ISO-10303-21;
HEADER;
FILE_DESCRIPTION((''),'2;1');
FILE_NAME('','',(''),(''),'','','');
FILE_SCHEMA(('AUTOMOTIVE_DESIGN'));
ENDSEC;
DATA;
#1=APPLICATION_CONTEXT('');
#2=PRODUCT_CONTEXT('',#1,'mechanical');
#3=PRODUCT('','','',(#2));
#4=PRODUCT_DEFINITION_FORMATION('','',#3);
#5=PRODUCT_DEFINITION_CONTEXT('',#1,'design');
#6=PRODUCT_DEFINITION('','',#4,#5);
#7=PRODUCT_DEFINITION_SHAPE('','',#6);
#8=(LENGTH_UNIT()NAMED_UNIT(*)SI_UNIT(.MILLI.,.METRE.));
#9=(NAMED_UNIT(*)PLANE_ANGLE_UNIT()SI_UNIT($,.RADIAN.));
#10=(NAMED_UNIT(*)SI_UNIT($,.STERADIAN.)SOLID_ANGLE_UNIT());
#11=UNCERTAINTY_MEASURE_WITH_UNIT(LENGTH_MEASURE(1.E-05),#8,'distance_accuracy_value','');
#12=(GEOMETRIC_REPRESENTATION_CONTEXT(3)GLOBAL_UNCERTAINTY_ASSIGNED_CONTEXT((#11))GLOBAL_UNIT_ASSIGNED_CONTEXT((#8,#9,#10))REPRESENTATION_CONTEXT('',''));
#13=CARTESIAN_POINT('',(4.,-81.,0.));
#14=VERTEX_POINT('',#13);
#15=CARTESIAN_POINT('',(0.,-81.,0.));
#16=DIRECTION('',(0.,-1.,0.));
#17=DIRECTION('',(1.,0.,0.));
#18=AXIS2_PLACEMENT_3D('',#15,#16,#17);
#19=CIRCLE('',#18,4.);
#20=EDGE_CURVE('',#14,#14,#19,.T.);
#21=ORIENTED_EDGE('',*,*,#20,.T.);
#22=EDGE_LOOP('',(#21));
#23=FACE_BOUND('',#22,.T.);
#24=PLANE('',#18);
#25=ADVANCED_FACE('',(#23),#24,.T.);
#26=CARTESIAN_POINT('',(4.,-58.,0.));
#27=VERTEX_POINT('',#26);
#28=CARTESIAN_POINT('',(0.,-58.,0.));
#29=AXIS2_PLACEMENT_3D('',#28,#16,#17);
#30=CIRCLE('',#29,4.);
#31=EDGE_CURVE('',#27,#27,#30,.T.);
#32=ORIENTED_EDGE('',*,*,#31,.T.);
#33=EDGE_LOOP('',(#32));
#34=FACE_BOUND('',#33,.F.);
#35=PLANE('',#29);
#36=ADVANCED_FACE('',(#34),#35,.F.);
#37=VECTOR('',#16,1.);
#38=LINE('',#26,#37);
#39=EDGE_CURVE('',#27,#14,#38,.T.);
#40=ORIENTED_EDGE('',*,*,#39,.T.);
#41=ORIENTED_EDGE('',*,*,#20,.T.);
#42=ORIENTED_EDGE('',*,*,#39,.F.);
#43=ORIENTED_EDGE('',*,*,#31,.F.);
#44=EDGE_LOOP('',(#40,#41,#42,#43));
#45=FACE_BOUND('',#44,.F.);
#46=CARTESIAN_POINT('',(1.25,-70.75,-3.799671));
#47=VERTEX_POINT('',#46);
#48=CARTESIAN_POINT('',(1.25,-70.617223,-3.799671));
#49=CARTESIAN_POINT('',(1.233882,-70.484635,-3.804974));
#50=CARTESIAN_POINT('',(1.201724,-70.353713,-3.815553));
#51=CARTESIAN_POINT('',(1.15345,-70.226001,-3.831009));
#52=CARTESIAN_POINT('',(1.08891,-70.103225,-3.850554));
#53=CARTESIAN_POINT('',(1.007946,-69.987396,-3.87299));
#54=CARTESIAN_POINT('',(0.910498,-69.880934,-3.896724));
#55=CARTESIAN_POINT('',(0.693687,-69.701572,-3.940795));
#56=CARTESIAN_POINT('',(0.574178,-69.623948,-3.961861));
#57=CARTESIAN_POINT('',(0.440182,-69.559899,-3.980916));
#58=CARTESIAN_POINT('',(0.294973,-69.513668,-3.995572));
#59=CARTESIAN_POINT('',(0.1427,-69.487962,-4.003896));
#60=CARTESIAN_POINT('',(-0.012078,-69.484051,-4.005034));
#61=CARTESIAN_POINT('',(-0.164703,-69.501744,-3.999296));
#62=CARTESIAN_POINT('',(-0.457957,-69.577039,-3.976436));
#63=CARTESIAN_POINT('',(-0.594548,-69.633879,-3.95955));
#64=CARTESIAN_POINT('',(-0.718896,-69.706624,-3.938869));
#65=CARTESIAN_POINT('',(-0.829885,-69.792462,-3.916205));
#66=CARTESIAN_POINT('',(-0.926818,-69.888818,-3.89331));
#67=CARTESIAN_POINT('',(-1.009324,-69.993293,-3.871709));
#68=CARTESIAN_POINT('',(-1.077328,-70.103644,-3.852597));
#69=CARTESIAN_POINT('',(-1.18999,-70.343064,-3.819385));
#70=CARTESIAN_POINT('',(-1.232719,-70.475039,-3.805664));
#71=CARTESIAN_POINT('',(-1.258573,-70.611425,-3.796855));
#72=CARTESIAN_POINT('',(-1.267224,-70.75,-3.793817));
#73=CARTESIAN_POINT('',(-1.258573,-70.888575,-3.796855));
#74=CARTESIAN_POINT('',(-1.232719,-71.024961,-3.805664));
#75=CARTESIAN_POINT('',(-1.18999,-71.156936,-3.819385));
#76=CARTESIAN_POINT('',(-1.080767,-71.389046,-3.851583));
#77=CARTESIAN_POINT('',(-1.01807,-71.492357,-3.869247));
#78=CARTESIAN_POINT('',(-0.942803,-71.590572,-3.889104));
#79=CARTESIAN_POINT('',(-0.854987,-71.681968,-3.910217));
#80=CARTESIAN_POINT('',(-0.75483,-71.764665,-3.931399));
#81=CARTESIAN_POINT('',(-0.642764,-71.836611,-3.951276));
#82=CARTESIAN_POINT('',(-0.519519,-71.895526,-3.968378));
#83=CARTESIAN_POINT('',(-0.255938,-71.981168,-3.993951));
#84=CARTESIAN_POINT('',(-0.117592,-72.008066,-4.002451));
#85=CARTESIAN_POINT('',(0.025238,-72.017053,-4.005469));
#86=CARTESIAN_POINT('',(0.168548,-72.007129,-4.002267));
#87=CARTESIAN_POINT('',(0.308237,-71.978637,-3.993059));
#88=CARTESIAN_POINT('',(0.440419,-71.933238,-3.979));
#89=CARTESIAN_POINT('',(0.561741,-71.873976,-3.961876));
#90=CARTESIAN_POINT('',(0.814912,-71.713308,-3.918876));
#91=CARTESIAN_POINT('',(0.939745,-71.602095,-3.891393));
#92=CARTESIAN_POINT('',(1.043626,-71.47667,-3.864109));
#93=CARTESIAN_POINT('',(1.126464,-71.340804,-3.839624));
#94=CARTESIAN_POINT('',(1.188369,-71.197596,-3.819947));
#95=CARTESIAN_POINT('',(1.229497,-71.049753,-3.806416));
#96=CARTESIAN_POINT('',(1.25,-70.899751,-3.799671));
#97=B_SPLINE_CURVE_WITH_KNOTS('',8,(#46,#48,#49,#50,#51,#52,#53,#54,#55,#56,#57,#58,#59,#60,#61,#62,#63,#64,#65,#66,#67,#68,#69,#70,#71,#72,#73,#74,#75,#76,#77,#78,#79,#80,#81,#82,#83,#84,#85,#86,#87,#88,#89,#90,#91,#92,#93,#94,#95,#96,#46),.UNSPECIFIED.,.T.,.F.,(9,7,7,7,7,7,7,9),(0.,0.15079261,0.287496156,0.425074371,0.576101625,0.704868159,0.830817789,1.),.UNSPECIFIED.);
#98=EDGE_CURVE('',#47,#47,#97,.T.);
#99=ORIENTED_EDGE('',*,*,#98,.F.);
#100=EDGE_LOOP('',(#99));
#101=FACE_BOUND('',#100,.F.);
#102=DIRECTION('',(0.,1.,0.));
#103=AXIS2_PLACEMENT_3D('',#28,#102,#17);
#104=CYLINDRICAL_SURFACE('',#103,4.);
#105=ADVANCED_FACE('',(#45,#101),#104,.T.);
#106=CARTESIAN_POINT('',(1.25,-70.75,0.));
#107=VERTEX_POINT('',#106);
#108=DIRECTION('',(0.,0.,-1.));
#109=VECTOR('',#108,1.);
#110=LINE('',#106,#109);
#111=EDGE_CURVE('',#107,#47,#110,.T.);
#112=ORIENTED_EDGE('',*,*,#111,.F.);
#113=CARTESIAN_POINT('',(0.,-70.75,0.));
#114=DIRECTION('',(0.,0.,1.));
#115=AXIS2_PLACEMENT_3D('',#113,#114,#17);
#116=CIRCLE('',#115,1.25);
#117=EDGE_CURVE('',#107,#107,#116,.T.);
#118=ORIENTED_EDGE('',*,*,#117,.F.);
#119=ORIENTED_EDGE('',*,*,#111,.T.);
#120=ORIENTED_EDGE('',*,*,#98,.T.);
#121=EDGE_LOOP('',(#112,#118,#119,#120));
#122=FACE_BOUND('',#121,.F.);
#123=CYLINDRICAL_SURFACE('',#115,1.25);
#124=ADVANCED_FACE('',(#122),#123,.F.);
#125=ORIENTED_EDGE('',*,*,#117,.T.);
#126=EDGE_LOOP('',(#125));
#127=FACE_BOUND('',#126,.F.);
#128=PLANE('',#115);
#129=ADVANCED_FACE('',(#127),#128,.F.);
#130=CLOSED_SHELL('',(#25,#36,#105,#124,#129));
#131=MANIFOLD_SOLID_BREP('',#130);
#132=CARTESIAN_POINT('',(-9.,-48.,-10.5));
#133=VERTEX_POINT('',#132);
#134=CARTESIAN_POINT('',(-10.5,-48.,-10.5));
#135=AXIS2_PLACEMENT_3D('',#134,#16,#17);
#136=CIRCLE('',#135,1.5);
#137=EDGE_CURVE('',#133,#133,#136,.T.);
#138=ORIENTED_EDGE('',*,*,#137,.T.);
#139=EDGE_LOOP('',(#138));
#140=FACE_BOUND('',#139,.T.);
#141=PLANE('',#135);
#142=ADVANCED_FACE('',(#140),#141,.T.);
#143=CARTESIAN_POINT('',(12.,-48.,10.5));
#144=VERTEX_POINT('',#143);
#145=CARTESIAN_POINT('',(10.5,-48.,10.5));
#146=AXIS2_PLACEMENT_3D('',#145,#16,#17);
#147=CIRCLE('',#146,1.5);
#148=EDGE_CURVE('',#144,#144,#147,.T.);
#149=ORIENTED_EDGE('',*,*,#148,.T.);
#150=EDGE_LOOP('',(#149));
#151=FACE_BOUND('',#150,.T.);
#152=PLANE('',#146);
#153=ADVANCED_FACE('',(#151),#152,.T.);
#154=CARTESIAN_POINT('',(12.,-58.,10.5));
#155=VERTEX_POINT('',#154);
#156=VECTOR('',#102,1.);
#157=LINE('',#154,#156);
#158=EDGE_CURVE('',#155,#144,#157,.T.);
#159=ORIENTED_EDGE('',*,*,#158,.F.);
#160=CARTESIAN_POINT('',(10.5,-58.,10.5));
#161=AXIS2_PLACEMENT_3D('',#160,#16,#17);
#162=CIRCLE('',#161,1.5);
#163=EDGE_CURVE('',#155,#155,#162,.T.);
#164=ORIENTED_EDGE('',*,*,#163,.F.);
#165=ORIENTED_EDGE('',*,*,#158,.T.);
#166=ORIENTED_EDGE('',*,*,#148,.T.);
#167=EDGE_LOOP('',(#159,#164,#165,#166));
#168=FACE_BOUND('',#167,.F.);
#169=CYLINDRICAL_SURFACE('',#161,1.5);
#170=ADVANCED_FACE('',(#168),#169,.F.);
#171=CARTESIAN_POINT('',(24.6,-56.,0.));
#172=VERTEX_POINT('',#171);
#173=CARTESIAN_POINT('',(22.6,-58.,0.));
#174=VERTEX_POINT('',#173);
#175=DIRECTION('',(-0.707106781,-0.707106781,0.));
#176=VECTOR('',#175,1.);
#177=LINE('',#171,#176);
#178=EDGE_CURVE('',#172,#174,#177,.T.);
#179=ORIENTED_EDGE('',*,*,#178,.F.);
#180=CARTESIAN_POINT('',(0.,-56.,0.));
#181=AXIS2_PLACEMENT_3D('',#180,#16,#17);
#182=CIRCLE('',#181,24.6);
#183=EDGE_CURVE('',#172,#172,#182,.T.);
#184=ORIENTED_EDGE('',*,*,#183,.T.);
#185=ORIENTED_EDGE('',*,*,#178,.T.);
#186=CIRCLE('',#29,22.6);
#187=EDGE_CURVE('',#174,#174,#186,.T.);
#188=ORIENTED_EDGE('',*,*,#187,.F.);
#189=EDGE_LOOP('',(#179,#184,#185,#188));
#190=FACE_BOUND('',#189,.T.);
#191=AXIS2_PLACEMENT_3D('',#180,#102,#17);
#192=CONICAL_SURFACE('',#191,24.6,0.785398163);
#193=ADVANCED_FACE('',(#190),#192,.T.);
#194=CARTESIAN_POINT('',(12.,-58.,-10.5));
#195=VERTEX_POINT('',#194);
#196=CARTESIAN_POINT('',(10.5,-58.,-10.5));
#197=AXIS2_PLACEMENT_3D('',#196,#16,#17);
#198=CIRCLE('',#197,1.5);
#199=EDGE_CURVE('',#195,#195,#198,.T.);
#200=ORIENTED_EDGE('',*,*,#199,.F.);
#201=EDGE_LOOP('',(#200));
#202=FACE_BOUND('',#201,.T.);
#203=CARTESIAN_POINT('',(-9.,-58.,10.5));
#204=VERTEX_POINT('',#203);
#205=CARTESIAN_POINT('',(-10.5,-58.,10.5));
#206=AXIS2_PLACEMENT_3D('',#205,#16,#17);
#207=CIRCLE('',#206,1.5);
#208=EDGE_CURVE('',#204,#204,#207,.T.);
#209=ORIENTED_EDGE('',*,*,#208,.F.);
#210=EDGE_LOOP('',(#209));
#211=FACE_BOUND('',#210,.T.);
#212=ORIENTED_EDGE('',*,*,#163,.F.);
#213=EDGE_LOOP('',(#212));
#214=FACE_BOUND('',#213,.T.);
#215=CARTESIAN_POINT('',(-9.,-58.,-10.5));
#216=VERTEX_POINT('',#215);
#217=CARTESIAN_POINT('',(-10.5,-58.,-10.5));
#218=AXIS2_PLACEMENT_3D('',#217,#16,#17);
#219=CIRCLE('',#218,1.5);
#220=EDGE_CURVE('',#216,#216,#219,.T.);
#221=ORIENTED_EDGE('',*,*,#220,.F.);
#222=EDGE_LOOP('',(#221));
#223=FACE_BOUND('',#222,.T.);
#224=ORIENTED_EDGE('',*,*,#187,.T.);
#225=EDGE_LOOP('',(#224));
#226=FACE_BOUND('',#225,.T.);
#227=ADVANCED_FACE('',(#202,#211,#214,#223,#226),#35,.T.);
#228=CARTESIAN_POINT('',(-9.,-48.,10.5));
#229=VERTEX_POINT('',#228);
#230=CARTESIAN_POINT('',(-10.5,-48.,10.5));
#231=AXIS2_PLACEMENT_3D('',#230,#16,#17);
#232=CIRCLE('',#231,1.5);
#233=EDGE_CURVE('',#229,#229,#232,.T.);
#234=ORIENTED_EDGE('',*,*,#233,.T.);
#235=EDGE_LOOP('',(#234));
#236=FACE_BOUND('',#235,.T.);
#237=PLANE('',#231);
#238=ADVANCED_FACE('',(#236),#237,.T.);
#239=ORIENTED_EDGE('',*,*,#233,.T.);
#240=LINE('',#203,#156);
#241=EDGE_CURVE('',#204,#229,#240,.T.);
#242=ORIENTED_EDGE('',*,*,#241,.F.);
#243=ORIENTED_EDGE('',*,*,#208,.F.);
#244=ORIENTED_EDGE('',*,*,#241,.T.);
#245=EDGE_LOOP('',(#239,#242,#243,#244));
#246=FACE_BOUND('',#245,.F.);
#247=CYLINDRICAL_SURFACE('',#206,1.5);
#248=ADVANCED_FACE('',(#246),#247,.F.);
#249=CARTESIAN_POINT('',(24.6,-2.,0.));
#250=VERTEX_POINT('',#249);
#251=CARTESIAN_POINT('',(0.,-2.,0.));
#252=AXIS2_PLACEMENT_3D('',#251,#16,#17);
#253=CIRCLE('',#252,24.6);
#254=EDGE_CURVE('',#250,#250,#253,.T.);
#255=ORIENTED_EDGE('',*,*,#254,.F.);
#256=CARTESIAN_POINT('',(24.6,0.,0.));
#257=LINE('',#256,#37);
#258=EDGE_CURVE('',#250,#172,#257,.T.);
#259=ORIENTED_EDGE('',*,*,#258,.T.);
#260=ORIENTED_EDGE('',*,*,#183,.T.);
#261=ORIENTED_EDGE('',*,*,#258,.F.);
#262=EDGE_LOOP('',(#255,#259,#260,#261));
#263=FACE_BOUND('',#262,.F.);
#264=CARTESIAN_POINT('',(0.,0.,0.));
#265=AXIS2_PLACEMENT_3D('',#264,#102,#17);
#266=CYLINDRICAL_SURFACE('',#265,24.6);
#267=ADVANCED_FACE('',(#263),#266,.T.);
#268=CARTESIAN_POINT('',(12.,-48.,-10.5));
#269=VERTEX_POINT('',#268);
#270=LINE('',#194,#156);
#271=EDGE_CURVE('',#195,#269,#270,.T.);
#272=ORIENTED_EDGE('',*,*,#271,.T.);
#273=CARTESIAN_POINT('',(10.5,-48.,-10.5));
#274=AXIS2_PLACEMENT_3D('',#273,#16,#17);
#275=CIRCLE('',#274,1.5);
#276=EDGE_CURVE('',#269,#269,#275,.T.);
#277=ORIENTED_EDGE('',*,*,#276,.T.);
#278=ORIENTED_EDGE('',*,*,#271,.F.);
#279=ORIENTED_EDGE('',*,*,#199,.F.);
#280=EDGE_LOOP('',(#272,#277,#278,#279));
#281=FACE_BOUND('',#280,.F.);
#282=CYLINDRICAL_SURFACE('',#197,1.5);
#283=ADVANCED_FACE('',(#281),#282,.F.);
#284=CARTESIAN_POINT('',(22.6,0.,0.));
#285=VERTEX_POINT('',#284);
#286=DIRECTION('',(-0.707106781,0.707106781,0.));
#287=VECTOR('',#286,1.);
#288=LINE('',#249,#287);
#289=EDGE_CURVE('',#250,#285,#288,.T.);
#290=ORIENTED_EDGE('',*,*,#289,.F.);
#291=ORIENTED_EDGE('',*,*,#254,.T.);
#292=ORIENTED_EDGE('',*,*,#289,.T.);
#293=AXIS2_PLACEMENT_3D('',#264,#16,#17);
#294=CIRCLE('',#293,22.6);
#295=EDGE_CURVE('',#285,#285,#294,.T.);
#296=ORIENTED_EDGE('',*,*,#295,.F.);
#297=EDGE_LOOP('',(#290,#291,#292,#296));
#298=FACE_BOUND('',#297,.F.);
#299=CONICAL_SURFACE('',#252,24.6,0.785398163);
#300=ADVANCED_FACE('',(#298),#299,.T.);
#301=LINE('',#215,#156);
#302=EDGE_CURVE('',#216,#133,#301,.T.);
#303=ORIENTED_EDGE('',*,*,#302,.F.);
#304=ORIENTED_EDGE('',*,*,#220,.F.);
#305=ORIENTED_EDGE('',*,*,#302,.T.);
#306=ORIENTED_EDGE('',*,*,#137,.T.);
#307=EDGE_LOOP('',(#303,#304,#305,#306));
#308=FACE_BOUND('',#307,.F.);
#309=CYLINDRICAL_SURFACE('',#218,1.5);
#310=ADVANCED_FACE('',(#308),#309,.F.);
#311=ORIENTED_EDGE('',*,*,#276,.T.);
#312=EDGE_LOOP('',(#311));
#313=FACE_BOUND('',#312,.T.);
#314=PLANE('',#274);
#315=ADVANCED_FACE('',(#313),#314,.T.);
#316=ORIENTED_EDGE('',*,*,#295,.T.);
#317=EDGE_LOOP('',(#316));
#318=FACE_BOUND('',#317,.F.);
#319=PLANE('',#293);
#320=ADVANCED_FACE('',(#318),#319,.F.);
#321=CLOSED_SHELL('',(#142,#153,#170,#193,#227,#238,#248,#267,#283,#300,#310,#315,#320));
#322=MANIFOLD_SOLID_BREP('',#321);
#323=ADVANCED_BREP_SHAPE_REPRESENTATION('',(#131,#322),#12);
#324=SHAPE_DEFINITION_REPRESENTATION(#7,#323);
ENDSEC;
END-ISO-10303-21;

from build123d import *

# Parameters (mm, degrees)
F0_R     = 24.6
F1_DEPTH = 58
F2_R     = 4
F3_DEPTH = 23
F4_R     = 1.5
F5_DEPTH = 10
F6_SIZE  = 2
F7_R     = 1.25
F8_DEPTH = 4


with BuildPart() as f1:
    # F0 (on Front) → F1 (new body)
    with BuildSketch(Plane.XZ):
        Circle(F0_R)
    extrude(amount=F1_DEPTH)

    # F4 (on face) → F5 (cut)
    with BuildSketch(Plane.XZ.offset(58)):
        with Locations((10.5, 10.5)):
            Circle(F4_R)
        with Locations((10.5, -10.5)):
            Circle(F4_R)
        with Locations((-10.5, -10.5)):
            Circle(F4_R)
        with Locations((-10.5, 10.5)):
            Circle(F4_R)
    extrude(amount=-F5_DEPTH, mode=Mode.SUBTRACT)

    # F6
    f6_edges = [f1.edges().sort_by_distance(p)[0] for p in [
        (-24.6, 0, 0),
        (-24.6, -58, 0),
    ]]
    chamfer(f6_edges, length=F6_SIZE)


with BuildPart() as f3:
    # F2 (on face) → F3 (new body)
    with BuildSketch(Plane.XZ.offset(58)):
        Circle(F2_R)
    extrude(amount=F3_DEPTH)

    # F7 (on Top) → F8 (cut)
    with BuildSketch(Plane.XY):
        with Locations((0, -70.75)):
            Circle(F7_R)
    extrude(amount=-F8_DEPTH, mode=Mode.SUBTRACT)


solid = Compound([f1.part, f3.part])
